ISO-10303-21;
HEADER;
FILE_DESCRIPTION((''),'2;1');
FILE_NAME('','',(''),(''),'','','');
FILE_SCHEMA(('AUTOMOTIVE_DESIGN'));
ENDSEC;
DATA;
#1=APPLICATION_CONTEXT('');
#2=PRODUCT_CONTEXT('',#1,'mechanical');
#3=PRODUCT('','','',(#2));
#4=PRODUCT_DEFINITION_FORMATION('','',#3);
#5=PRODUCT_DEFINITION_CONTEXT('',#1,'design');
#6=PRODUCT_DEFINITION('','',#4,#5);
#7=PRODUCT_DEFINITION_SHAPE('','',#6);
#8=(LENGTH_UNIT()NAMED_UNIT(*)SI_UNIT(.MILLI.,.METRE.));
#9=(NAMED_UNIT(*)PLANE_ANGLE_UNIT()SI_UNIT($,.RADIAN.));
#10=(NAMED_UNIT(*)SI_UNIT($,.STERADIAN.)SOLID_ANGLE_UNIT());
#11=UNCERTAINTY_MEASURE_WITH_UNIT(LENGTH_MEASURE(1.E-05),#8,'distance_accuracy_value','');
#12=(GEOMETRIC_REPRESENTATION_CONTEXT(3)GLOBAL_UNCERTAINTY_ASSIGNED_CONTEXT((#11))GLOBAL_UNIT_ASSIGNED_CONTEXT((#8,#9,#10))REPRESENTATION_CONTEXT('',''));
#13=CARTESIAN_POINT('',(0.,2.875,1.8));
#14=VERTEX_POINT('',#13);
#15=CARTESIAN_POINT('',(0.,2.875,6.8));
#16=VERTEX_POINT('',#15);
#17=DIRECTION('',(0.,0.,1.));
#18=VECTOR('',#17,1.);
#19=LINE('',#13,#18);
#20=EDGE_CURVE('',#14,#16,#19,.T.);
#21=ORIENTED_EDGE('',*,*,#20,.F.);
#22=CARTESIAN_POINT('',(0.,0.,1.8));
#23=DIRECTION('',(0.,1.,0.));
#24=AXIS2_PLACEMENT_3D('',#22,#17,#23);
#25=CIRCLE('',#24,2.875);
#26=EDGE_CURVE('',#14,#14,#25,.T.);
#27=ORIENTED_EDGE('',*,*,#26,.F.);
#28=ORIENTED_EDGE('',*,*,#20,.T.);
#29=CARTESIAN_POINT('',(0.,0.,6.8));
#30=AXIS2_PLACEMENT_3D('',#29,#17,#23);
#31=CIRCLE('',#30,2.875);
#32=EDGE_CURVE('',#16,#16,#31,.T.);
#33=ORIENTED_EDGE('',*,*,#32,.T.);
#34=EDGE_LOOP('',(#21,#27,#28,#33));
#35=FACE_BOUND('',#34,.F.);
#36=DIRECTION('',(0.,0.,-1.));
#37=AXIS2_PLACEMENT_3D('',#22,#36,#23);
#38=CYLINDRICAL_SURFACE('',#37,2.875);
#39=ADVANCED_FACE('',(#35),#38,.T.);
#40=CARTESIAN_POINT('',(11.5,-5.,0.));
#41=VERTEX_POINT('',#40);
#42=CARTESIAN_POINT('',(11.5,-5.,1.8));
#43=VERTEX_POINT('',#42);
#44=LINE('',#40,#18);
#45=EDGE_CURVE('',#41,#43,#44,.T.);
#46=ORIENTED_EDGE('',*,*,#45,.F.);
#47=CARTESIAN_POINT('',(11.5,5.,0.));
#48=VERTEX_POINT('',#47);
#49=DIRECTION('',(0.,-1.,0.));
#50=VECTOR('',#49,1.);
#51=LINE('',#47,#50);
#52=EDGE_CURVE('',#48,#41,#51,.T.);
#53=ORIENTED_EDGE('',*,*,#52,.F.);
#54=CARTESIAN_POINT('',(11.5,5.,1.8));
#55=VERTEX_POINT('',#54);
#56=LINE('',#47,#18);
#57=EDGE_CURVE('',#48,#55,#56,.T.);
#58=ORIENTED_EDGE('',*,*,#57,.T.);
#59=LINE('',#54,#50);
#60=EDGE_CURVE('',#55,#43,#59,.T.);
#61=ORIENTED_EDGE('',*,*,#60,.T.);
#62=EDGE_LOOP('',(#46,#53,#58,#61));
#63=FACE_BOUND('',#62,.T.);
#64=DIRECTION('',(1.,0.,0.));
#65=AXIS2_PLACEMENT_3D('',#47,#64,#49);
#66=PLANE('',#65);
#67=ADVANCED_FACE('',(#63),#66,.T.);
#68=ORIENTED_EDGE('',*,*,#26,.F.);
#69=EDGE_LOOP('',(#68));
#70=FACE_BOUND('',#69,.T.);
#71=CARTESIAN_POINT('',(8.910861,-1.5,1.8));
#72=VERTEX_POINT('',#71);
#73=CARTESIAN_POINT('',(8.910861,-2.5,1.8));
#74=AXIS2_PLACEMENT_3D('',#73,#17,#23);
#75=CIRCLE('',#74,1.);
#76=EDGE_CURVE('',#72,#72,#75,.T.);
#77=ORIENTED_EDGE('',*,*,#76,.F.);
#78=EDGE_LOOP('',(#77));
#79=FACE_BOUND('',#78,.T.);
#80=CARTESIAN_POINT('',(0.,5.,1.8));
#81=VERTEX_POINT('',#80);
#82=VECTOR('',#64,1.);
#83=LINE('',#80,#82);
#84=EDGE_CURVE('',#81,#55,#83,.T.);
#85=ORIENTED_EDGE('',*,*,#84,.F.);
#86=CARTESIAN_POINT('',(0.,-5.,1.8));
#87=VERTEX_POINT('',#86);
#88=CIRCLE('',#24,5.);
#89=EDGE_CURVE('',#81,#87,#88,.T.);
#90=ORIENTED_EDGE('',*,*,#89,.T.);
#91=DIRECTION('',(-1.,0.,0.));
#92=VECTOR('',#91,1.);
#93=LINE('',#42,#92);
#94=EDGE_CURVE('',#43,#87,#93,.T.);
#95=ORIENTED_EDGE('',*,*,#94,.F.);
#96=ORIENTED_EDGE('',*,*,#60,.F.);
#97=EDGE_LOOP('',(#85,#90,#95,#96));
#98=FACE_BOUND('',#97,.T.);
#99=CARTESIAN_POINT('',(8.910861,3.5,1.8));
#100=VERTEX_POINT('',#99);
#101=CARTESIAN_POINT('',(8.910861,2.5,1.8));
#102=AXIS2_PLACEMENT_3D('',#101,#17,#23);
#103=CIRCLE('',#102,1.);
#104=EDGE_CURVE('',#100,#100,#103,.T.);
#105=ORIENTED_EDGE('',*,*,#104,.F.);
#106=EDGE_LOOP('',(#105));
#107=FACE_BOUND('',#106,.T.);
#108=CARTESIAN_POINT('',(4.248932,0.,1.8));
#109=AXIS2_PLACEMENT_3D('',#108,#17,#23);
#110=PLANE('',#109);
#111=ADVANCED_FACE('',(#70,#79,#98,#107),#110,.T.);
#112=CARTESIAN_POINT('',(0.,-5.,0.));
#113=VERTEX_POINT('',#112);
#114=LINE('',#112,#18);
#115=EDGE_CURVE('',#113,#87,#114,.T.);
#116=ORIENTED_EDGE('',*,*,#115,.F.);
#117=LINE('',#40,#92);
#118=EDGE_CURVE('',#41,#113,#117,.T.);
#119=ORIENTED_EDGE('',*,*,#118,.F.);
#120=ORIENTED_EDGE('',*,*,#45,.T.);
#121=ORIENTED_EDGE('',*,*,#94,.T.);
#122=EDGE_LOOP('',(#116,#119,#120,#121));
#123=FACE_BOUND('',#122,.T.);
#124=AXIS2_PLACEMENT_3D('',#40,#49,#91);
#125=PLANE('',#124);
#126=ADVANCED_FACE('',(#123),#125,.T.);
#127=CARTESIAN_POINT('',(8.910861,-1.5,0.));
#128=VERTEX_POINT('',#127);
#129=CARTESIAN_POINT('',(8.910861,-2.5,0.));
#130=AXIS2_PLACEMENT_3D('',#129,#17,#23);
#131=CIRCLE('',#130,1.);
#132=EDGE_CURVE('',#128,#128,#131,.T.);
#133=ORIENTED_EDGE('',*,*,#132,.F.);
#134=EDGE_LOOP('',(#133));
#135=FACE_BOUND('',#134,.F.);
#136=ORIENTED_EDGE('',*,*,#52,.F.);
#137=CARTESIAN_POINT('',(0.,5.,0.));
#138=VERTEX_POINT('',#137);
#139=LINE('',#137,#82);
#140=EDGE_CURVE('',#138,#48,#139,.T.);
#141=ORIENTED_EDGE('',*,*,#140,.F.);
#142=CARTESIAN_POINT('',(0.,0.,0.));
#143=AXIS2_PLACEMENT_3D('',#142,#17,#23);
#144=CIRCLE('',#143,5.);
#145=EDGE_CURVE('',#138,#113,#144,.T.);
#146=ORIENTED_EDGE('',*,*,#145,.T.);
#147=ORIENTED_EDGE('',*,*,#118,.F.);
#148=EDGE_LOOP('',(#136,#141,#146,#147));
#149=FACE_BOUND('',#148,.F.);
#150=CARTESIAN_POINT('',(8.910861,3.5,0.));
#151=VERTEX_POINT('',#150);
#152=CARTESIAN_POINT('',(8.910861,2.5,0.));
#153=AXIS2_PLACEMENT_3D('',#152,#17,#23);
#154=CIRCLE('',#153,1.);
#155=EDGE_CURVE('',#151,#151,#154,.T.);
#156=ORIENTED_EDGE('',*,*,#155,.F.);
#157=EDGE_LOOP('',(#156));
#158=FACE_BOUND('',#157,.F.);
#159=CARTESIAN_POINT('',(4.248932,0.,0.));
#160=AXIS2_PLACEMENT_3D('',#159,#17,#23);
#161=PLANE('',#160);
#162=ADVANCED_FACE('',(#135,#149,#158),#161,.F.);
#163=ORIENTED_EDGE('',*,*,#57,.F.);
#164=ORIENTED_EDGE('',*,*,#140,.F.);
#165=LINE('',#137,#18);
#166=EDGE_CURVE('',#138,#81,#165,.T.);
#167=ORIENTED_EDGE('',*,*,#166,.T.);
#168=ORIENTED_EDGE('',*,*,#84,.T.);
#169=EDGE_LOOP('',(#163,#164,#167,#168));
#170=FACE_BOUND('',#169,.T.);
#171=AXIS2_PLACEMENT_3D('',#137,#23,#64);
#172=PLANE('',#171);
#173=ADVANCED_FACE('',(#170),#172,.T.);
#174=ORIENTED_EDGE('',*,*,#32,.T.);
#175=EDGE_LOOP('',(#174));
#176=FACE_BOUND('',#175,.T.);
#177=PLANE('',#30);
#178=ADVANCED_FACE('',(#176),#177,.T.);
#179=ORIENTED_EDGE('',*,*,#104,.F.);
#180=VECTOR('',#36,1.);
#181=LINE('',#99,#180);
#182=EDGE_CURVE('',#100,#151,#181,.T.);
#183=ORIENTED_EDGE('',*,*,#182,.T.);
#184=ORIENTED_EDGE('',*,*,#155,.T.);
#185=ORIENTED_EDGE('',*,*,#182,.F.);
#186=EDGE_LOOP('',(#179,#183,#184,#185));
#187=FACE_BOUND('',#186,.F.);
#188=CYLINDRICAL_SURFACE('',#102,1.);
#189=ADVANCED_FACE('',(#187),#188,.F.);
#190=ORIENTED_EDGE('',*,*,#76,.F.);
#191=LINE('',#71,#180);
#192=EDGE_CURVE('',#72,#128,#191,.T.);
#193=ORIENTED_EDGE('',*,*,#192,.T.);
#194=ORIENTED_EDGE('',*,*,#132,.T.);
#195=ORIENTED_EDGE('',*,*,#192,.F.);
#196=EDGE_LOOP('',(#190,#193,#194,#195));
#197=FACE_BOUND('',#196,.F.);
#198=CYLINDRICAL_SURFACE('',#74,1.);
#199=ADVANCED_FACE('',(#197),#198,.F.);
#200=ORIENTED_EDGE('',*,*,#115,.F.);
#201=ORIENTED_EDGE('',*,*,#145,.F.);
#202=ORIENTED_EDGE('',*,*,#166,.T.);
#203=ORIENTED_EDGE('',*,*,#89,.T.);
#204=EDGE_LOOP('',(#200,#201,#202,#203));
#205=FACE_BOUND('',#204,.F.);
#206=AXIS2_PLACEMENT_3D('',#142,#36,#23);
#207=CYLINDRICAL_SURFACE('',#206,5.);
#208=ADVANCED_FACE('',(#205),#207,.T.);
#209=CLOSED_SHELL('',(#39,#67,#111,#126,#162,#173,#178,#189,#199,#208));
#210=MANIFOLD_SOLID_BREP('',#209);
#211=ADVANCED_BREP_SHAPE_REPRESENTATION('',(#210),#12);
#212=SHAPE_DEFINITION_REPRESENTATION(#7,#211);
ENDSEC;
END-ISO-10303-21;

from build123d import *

# Parameters (mm, degrees)
PAD_DEPTH            = 1.8
SKETCH004_R          = 2.875
PAD001_DEPTH         = 5
SKETCH005_R          = 1
POCKET_DEPTH         = 1.801
BODY_PLACEMENT_ANGLE = 90


with BuildPart() as part:
    # Sketch → Pad (new body)
    with BuildSketch(Plane.XY):
        with BuildLine():
            ThreePointArc((5, 0), (0, 5), (-5, 0))
            Line((-5, -11.5), (-5, 0))
            Line((5, -11.5), (-5, -11.5))
            Line((5, 0), (5, -11.5))
        make_face()
    extrude(amount=PAD_DEPTH)

    # Sketch004 (on Face6 of Pad) → Pad001 (join)
    with BuildSketch(Plane.XY.offset(1.8)):
        Circle(SKETCH004_R)
    extrude(amount=PAD001_DEPTH)

    # Sketch005 (on Face5 of Pad001) → Pocket (cut, through all)
    with BuildSketch(Plane.XY.offset(1.8)):
        with Locations((-2.5, -8.910861)):
            Circle(SKETCH005_R)
        with Locations((2.5, -8.910861)):
            Circle(SKETCH005_R)
    extrude(amount=-POCKET_DEPTH, mode=Mode.SUBTRACT)


with BuildPart() as part_1:
    # Body placement: moved
    add(part.part.rotate(Axis((0, 0, 0), (0, 0, 1)), BODY_PLACEMENT_ANGLE))


solid = part_1.part
